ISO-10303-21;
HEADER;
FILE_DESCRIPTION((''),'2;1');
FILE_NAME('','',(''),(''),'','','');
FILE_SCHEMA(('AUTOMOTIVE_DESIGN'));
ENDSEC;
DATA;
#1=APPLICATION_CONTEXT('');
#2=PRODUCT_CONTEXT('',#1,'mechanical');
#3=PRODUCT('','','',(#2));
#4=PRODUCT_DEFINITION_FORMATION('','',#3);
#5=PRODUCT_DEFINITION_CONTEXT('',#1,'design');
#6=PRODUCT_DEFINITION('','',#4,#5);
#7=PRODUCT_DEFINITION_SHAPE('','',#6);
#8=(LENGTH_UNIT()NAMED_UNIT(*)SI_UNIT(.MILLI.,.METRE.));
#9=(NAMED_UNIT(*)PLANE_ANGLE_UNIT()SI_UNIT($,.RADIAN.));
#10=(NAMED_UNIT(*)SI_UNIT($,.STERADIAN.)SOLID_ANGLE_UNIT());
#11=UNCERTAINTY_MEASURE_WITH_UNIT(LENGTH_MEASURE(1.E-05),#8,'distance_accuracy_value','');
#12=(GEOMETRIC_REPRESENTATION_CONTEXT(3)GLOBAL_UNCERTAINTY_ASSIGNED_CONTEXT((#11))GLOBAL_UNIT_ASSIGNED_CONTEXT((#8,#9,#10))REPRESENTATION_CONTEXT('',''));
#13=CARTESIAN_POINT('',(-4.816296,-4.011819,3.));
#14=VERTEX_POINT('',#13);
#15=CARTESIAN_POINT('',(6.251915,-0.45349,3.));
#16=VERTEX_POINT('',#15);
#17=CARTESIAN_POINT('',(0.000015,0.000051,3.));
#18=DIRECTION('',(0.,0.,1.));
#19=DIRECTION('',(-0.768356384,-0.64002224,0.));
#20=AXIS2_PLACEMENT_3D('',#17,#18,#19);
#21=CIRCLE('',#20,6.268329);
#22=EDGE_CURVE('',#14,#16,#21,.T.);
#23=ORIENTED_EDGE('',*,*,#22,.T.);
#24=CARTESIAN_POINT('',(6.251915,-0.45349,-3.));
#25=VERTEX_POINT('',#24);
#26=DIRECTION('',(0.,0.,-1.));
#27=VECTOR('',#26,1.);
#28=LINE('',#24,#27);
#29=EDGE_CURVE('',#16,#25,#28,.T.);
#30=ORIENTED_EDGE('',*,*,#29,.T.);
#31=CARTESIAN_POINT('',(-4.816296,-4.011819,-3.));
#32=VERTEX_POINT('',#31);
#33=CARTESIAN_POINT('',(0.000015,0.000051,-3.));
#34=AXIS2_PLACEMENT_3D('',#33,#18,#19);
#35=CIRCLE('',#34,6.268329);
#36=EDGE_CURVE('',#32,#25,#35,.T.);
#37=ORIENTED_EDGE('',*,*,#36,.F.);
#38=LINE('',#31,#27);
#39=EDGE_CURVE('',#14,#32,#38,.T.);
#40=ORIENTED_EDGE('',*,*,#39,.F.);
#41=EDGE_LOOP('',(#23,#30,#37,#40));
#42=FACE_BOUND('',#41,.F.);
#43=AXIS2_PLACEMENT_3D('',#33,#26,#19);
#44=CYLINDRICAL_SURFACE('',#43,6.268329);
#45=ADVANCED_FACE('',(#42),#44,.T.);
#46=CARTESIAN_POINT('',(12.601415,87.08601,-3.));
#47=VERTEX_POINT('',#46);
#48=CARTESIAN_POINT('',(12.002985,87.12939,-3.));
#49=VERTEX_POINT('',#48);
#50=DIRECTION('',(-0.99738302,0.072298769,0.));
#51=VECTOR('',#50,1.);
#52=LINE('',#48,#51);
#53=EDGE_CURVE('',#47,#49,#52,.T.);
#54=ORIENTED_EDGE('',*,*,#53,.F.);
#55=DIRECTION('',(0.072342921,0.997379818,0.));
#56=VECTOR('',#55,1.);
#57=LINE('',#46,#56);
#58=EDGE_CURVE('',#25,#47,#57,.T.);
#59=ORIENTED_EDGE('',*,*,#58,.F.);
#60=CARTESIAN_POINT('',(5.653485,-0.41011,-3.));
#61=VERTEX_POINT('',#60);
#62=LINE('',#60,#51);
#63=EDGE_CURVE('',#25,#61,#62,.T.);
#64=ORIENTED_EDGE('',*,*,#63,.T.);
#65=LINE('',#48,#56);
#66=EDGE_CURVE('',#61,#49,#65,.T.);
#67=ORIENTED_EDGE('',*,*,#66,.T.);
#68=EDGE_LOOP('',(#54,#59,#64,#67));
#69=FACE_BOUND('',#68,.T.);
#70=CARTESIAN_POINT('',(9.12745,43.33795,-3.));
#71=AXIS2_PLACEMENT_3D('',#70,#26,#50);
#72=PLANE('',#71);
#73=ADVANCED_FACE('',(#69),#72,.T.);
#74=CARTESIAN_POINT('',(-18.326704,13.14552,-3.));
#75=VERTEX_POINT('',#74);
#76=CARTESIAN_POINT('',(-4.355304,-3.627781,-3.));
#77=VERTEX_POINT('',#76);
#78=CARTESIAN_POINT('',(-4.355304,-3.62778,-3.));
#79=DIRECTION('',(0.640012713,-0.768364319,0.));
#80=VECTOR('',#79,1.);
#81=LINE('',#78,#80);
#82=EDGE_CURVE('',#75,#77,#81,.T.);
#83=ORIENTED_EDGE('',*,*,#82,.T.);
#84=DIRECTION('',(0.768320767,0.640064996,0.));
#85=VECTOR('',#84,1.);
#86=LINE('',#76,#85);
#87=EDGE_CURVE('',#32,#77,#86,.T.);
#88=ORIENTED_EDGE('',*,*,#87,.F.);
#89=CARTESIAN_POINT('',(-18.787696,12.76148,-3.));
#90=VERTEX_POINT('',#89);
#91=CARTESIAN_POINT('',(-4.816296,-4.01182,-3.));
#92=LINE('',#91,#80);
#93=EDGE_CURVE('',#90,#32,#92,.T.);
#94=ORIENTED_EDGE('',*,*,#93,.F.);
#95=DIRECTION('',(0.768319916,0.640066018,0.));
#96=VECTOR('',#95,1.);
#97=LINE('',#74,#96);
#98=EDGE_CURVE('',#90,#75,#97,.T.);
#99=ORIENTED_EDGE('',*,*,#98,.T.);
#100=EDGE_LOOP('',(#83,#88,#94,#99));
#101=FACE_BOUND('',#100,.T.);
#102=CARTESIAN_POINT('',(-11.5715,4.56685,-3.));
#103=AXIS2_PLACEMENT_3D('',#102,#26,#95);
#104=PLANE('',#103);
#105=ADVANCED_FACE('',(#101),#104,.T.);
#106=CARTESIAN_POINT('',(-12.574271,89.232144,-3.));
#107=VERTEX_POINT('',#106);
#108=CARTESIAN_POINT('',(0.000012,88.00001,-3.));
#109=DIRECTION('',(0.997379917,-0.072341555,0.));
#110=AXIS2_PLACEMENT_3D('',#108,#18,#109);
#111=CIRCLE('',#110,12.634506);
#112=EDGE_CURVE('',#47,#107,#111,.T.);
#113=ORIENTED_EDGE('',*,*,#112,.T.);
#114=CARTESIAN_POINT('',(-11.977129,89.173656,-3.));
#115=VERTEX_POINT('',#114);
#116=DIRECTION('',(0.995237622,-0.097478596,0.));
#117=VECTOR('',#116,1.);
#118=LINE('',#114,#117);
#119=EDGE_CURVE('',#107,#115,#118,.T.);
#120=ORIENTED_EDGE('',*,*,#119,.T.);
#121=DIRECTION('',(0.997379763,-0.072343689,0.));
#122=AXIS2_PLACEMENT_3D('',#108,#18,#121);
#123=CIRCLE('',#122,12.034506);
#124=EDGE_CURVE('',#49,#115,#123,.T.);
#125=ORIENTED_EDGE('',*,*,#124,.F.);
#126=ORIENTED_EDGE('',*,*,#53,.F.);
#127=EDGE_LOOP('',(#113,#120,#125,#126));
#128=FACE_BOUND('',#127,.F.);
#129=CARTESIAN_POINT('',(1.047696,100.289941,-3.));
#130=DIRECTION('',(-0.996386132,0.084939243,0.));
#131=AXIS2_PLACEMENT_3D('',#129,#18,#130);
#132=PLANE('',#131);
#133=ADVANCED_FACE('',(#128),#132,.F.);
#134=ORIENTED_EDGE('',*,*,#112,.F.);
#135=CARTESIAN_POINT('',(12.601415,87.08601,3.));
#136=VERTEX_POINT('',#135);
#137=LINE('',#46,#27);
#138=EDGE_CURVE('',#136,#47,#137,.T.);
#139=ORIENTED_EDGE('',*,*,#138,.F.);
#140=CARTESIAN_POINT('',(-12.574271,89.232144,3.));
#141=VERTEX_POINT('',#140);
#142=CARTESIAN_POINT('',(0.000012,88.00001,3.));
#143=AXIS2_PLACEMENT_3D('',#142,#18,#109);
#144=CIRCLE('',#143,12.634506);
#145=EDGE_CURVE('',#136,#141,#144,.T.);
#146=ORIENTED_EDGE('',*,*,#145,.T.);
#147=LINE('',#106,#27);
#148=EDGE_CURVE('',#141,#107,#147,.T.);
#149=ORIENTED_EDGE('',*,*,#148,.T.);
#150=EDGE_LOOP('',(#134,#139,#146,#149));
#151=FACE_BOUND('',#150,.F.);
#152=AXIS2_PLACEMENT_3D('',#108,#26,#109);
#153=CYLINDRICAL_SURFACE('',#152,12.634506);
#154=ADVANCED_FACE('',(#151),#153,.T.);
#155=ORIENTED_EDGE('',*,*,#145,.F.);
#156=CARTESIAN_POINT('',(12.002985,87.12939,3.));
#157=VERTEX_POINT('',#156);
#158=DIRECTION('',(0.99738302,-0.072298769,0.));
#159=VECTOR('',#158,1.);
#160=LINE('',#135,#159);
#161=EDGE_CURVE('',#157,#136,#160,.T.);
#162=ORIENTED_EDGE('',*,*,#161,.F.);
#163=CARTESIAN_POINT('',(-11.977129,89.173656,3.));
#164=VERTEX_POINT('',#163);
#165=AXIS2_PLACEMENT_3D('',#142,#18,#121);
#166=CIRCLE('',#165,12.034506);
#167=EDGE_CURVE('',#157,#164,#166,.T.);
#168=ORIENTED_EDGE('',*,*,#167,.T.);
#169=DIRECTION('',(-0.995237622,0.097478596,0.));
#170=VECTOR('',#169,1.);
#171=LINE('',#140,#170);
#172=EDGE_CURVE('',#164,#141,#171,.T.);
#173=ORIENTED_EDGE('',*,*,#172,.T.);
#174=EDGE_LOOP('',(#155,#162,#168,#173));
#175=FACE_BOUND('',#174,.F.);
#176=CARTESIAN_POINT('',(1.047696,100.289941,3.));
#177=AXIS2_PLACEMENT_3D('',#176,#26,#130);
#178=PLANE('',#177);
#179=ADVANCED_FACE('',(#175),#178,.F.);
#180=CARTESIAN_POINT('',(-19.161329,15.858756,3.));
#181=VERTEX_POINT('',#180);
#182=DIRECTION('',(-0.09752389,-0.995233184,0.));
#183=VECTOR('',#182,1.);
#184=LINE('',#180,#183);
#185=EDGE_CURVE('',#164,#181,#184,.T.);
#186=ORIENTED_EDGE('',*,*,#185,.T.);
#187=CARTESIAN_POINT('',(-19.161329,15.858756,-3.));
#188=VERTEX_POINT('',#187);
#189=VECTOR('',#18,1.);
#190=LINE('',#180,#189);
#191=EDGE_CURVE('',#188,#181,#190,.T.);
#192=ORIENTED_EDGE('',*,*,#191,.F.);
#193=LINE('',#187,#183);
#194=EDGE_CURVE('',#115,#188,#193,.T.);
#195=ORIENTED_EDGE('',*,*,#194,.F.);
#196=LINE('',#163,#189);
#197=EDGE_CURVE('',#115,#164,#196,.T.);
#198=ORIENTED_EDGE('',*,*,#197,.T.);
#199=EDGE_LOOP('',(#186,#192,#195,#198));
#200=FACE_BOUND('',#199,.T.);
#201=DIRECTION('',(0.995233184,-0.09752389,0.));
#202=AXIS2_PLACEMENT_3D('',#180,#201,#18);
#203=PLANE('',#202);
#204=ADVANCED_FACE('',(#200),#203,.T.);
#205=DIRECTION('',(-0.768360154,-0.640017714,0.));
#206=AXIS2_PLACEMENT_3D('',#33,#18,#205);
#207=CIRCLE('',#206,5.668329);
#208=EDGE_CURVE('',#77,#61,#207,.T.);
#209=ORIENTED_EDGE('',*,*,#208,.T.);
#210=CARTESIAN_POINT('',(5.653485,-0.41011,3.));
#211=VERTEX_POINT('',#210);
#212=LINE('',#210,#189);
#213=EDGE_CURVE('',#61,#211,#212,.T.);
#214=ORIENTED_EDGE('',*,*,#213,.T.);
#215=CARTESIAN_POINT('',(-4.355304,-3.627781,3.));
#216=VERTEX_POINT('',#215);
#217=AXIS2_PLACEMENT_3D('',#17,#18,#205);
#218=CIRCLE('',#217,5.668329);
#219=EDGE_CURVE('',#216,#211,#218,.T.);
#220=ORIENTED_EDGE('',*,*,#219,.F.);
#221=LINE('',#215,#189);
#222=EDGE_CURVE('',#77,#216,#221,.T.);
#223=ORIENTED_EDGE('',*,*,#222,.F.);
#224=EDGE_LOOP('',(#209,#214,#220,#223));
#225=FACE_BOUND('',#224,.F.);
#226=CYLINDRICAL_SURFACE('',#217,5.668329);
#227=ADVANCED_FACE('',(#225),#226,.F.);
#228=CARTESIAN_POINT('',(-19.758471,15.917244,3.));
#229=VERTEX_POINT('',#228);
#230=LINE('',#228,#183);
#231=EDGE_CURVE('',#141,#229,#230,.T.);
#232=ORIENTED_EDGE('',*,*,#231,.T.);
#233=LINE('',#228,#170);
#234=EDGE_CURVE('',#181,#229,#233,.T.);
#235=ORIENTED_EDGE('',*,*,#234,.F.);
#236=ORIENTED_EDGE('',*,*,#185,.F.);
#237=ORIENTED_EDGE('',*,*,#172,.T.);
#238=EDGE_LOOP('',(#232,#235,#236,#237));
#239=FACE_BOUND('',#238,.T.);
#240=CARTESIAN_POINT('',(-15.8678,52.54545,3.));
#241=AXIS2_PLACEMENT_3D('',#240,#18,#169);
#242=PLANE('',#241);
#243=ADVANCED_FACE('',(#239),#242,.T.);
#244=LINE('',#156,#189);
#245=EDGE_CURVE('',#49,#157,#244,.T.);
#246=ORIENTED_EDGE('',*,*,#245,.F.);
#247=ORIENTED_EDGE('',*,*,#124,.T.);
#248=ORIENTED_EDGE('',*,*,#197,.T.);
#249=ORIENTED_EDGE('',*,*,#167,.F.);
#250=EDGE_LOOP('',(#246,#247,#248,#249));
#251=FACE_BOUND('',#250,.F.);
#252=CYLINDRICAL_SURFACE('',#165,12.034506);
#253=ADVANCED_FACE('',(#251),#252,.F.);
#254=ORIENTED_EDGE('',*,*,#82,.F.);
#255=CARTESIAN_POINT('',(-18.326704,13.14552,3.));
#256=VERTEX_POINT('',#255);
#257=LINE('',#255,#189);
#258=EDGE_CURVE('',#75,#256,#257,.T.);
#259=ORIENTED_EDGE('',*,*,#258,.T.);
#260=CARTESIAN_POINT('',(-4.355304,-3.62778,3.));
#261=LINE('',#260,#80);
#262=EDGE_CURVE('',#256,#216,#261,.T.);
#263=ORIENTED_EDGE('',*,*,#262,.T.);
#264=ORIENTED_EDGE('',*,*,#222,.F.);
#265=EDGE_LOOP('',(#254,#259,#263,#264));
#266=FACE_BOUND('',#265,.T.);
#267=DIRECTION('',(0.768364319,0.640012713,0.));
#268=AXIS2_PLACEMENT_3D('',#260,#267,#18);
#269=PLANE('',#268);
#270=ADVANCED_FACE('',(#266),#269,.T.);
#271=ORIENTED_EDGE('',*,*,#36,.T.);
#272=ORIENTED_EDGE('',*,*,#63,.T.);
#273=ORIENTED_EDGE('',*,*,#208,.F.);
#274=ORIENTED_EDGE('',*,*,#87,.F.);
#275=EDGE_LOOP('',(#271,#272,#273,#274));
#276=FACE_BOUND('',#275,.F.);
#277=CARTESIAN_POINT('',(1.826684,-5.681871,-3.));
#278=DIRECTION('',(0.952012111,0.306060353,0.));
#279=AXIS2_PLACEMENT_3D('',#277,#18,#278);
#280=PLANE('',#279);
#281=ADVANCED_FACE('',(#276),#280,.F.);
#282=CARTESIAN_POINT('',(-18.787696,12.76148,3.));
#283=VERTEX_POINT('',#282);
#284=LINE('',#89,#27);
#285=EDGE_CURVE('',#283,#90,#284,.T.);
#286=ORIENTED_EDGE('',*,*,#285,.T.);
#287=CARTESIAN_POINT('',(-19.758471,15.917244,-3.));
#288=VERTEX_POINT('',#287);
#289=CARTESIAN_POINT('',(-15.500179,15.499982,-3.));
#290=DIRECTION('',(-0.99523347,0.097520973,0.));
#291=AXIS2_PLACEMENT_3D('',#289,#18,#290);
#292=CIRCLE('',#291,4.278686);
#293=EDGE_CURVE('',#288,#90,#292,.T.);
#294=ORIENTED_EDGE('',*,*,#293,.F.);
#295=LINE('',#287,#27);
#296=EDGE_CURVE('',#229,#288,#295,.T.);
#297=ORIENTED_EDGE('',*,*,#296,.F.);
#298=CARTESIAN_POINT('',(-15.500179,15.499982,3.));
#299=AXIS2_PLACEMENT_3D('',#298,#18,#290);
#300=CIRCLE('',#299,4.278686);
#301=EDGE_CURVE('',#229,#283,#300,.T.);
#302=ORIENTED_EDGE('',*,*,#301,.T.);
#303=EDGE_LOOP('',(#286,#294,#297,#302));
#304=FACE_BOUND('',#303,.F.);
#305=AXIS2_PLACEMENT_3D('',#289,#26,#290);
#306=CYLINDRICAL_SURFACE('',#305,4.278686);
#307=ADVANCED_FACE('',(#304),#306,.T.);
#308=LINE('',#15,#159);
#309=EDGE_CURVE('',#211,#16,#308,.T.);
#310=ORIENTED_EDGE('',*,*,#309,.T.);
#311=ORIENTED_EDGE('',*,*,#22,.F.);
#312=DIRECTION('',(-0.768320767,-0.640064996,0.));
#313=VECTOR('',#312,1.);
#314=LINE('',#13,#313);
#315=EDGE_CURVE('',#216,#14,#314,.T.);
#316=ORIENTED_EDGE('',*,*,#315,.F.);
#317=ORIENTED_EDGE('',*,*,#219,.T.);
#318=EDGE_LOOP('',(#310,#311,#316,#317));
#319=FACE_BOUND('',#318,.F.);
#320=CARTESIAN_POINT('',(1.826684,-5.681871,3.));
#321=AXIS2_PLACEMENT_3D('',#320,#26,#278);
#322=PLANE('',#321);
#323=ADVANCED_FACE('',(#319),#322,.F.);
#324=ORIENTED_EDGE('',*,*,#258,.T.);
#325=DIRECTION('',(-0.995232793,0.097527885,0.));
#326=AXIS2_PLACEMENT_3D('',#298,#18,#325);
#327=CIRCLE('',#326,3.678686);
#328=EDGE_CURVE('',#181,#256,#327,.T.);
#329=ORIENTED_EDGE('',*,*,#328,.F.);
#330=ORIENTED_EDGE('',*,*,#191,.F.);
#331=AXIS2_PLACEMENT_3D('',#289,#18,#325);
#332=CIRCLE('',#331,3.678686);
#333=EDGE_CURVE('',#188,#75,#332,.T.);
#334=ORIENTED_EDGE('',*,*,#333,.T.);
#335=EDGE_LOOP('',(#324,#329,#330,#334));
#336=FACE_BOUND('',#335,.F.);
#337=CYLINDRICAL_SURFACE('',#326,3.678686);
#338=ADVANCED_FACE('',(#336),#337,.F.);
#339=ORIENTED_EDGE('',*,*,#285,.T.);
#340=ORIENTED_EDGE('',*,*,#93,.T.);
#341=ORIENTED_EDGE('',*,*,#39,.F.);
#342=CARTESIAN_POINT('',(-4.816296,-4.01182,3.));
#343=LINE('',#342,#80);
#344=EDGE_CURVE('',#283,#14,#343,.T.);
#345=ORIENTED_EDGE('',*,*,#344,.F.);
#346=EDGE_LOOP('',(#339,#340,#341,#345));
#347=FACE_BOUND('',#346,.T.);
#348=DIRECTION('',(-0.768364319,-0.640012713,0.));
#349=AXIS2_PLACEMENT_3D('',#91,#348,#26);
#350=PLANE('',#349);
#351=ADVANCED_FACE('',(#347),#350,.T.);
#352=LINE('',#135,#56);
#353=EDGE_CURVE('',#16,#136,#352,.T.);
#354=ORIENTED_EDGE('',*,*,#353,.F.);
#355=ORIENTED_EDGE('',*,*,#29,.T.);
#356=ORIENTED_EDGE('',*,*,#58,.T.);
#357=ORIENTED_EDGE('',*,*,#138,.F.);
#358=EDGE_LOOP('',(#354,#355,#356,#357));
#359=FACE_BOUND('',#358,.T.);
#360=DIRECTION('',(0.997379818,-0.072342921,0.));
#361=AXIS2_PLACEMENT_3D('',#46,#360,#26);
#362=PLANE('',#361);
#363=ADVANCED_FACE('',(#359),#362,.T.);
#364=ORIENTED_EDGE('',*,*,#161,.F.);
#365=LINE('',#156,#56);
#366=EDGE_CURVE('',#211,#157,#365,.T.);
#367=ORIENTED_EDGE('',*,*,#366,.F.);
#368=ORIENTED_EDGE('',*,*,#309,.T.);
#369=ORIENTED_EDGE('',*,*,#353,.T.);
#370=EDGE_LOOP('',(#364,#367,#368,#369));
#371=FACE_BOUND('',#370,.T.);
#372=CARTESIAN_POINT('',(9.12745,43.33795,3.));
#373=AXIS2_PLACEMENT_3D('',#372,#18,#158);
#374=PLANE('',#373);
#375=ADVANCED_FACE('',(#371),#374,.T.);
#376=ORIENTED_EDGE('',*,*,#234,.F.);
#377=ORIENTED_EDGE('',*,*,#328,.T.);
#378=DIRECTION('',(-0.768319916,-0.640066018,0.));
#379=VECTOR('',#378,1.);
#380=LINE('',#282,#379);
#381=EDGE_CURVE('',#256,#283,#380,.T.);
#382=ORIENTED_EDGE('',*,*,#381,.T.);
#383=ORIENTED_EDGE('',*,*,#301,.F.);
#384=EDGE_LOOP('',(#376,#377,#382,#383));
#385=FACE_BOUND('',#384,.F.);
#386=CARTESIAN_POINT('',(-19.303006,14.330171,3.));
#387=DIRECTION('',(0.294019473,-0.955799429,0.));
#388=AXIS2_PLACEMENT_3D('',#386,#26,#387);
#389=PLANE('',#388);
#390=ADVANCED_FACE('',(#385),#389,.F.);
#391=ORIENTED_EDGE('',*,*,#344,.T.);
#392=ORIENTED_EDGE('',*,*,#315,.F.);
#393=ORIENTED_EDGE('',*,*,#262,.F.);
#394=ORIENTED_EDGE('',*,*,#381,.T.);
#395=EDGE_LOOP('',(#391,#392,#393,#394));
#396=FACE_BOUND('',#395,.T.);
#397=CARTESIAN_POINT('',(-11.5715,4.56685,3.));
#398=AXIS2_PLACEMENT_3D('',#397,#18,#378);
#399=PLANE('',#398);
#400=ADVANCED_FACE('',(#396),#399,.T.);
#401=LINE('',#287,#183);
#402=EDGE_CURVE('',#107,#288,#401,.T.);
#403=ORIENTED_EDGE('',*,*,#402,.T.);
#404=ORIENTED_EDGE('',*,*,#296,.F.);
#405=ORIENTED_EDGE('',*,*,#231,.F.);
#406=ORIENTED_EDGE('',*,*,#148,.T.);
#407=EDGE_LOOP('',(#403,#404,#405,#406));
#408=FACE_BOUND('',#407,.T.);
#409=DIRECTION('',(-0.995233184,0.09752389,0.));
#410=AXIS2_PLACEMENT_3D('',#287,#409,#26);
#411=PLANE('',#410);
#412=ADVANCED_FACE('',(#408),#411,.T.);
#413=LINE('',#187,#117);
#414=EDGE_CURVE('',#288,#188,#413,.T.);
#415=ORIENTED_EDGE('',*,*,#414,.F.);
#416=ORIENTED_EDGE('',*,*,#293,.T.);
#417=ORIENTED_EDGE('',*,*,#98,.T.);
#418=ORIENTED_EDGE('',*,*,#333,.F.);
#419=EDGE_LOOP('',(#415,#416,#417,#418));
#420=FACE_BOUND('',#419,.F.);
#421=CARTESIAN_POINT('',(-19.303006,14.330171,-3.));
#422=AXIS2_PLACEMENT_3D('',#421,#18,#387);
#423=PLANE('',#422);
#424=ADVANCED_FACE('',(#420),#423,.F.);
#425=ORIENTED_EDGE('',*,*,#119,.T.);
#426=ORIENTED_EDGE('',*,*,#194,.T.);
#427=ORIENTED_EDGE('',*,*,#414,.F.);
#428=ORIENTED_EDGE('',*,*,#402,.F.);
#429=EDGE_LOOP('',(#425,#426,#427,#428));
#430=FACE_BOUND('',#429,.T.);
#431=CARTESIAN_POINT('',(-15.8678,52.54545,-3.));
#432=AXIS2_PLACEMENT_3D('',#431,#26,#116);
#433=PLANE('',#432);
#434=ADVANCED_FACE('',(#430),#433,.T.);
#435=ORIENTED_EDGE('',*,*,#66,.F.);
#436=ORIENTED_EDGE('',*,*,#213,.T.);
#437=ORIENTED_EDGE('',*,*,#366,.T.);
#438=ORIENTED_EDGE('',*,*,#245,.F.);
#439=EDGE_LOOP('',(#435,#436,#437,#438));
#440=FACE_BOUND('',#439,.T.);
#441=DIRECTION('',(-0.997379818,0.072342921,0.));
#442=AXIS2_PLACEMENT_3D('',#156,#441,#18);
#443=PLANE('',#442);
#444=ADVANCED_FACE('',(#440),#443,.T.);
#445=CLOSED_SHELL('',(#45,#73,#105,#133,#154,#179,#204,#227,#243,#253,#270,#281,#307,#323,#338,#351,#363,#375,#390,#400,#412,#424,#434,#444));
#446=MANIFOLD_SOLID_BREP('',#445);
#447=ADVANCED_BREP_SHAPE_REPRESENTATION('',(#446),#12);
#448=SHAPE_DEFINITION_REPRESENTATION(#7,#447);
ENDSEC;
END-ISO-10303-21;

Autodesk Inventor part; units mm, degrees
sketch "Sketch Path" plane through (0, 0, 0) normal (0, 0, 1) x (1, 0, 0)
  arc A0 (-4.5858, -3.8198) -> (5.9527, -0.4318) centre (0, 0) ccw
  arc A1 (-19.4599, 15.888) -> (-18.5572, 12.9535) centre (-15.5, 15.5) ccw
  arc A2 (12.3022, 87.1077) -> (-12.2757, 89.2029) centre (0, 88) ccw
  line L0 (12.3022, 87.1077) -> (5.9527, -0.4318)
  line L1 (-4.5858, -3.8198) -> (-18.5572, 12.9535)
  line L2 (-19.4599, 15.888) -> (-12.2757, 89.2029)
ref_plane "Cross Section Plane" through (5.9527, -0.4318, 0) normal (0.0723, 0.9974, 0) x (0, 0, 1)
ref_plane "Work Plane2" through (0, 0, 0) normal (-1, 0, 0) x (0, 0, 1)
ref_plane "Work Plane3" through (-15.5, 15.5, 0) normal (0.2665, -0.9638, 0) x (0, 0, 1)
ref_plane "Work Plane4" through (0, 88, 0) normal (-0.286, -0.9582, 0) x (0, 0, 1)
sketch "Cross Section" plane through (5.9527, -0.4318, 0) normal (0.0723, 0.9974, 0) x (0, 0, 1)
  line L0 (-3, 0.3) -> (3, 0.3)
  line L1 (3, 0.3) -> (3, -0.3)
  line L2 (3, -0.3) -> (-3, -0.3)
  line L3 (-3, -0.3) -> (-3, 0.3)
  line L4 (-3, 0) -> (3, 0) construction
  point P0 (0, 0)
  point P1 (0, 0)
  dimension "d0" = 6
  dimension "d4" = 0.3
  dimension "d5" = 0.3
sweep "Belt" add profiles "Cross Section" path "Sketch Path"
equation "\"d0\" = da_B"
equation "\"d4\" = da_a"
equation "\"d5\" = da_a2"
equation "\"da_B\" = 6"
equation "\"da_pb\" = 2.5"
equation "\"da_L\" = 239.02838"
equation "\"da_a\" = 0.3"
equation "\"da_S\" = 1.5"
equation "\"da_Beta\" = 20deg"
equation "\"da_Ht\" = 0.7"
equation "\"da_H\" = 1.3"
equation "\"da_a2\" = 0.3"
properties part number "Synchronous Belt" material "Rubber"
